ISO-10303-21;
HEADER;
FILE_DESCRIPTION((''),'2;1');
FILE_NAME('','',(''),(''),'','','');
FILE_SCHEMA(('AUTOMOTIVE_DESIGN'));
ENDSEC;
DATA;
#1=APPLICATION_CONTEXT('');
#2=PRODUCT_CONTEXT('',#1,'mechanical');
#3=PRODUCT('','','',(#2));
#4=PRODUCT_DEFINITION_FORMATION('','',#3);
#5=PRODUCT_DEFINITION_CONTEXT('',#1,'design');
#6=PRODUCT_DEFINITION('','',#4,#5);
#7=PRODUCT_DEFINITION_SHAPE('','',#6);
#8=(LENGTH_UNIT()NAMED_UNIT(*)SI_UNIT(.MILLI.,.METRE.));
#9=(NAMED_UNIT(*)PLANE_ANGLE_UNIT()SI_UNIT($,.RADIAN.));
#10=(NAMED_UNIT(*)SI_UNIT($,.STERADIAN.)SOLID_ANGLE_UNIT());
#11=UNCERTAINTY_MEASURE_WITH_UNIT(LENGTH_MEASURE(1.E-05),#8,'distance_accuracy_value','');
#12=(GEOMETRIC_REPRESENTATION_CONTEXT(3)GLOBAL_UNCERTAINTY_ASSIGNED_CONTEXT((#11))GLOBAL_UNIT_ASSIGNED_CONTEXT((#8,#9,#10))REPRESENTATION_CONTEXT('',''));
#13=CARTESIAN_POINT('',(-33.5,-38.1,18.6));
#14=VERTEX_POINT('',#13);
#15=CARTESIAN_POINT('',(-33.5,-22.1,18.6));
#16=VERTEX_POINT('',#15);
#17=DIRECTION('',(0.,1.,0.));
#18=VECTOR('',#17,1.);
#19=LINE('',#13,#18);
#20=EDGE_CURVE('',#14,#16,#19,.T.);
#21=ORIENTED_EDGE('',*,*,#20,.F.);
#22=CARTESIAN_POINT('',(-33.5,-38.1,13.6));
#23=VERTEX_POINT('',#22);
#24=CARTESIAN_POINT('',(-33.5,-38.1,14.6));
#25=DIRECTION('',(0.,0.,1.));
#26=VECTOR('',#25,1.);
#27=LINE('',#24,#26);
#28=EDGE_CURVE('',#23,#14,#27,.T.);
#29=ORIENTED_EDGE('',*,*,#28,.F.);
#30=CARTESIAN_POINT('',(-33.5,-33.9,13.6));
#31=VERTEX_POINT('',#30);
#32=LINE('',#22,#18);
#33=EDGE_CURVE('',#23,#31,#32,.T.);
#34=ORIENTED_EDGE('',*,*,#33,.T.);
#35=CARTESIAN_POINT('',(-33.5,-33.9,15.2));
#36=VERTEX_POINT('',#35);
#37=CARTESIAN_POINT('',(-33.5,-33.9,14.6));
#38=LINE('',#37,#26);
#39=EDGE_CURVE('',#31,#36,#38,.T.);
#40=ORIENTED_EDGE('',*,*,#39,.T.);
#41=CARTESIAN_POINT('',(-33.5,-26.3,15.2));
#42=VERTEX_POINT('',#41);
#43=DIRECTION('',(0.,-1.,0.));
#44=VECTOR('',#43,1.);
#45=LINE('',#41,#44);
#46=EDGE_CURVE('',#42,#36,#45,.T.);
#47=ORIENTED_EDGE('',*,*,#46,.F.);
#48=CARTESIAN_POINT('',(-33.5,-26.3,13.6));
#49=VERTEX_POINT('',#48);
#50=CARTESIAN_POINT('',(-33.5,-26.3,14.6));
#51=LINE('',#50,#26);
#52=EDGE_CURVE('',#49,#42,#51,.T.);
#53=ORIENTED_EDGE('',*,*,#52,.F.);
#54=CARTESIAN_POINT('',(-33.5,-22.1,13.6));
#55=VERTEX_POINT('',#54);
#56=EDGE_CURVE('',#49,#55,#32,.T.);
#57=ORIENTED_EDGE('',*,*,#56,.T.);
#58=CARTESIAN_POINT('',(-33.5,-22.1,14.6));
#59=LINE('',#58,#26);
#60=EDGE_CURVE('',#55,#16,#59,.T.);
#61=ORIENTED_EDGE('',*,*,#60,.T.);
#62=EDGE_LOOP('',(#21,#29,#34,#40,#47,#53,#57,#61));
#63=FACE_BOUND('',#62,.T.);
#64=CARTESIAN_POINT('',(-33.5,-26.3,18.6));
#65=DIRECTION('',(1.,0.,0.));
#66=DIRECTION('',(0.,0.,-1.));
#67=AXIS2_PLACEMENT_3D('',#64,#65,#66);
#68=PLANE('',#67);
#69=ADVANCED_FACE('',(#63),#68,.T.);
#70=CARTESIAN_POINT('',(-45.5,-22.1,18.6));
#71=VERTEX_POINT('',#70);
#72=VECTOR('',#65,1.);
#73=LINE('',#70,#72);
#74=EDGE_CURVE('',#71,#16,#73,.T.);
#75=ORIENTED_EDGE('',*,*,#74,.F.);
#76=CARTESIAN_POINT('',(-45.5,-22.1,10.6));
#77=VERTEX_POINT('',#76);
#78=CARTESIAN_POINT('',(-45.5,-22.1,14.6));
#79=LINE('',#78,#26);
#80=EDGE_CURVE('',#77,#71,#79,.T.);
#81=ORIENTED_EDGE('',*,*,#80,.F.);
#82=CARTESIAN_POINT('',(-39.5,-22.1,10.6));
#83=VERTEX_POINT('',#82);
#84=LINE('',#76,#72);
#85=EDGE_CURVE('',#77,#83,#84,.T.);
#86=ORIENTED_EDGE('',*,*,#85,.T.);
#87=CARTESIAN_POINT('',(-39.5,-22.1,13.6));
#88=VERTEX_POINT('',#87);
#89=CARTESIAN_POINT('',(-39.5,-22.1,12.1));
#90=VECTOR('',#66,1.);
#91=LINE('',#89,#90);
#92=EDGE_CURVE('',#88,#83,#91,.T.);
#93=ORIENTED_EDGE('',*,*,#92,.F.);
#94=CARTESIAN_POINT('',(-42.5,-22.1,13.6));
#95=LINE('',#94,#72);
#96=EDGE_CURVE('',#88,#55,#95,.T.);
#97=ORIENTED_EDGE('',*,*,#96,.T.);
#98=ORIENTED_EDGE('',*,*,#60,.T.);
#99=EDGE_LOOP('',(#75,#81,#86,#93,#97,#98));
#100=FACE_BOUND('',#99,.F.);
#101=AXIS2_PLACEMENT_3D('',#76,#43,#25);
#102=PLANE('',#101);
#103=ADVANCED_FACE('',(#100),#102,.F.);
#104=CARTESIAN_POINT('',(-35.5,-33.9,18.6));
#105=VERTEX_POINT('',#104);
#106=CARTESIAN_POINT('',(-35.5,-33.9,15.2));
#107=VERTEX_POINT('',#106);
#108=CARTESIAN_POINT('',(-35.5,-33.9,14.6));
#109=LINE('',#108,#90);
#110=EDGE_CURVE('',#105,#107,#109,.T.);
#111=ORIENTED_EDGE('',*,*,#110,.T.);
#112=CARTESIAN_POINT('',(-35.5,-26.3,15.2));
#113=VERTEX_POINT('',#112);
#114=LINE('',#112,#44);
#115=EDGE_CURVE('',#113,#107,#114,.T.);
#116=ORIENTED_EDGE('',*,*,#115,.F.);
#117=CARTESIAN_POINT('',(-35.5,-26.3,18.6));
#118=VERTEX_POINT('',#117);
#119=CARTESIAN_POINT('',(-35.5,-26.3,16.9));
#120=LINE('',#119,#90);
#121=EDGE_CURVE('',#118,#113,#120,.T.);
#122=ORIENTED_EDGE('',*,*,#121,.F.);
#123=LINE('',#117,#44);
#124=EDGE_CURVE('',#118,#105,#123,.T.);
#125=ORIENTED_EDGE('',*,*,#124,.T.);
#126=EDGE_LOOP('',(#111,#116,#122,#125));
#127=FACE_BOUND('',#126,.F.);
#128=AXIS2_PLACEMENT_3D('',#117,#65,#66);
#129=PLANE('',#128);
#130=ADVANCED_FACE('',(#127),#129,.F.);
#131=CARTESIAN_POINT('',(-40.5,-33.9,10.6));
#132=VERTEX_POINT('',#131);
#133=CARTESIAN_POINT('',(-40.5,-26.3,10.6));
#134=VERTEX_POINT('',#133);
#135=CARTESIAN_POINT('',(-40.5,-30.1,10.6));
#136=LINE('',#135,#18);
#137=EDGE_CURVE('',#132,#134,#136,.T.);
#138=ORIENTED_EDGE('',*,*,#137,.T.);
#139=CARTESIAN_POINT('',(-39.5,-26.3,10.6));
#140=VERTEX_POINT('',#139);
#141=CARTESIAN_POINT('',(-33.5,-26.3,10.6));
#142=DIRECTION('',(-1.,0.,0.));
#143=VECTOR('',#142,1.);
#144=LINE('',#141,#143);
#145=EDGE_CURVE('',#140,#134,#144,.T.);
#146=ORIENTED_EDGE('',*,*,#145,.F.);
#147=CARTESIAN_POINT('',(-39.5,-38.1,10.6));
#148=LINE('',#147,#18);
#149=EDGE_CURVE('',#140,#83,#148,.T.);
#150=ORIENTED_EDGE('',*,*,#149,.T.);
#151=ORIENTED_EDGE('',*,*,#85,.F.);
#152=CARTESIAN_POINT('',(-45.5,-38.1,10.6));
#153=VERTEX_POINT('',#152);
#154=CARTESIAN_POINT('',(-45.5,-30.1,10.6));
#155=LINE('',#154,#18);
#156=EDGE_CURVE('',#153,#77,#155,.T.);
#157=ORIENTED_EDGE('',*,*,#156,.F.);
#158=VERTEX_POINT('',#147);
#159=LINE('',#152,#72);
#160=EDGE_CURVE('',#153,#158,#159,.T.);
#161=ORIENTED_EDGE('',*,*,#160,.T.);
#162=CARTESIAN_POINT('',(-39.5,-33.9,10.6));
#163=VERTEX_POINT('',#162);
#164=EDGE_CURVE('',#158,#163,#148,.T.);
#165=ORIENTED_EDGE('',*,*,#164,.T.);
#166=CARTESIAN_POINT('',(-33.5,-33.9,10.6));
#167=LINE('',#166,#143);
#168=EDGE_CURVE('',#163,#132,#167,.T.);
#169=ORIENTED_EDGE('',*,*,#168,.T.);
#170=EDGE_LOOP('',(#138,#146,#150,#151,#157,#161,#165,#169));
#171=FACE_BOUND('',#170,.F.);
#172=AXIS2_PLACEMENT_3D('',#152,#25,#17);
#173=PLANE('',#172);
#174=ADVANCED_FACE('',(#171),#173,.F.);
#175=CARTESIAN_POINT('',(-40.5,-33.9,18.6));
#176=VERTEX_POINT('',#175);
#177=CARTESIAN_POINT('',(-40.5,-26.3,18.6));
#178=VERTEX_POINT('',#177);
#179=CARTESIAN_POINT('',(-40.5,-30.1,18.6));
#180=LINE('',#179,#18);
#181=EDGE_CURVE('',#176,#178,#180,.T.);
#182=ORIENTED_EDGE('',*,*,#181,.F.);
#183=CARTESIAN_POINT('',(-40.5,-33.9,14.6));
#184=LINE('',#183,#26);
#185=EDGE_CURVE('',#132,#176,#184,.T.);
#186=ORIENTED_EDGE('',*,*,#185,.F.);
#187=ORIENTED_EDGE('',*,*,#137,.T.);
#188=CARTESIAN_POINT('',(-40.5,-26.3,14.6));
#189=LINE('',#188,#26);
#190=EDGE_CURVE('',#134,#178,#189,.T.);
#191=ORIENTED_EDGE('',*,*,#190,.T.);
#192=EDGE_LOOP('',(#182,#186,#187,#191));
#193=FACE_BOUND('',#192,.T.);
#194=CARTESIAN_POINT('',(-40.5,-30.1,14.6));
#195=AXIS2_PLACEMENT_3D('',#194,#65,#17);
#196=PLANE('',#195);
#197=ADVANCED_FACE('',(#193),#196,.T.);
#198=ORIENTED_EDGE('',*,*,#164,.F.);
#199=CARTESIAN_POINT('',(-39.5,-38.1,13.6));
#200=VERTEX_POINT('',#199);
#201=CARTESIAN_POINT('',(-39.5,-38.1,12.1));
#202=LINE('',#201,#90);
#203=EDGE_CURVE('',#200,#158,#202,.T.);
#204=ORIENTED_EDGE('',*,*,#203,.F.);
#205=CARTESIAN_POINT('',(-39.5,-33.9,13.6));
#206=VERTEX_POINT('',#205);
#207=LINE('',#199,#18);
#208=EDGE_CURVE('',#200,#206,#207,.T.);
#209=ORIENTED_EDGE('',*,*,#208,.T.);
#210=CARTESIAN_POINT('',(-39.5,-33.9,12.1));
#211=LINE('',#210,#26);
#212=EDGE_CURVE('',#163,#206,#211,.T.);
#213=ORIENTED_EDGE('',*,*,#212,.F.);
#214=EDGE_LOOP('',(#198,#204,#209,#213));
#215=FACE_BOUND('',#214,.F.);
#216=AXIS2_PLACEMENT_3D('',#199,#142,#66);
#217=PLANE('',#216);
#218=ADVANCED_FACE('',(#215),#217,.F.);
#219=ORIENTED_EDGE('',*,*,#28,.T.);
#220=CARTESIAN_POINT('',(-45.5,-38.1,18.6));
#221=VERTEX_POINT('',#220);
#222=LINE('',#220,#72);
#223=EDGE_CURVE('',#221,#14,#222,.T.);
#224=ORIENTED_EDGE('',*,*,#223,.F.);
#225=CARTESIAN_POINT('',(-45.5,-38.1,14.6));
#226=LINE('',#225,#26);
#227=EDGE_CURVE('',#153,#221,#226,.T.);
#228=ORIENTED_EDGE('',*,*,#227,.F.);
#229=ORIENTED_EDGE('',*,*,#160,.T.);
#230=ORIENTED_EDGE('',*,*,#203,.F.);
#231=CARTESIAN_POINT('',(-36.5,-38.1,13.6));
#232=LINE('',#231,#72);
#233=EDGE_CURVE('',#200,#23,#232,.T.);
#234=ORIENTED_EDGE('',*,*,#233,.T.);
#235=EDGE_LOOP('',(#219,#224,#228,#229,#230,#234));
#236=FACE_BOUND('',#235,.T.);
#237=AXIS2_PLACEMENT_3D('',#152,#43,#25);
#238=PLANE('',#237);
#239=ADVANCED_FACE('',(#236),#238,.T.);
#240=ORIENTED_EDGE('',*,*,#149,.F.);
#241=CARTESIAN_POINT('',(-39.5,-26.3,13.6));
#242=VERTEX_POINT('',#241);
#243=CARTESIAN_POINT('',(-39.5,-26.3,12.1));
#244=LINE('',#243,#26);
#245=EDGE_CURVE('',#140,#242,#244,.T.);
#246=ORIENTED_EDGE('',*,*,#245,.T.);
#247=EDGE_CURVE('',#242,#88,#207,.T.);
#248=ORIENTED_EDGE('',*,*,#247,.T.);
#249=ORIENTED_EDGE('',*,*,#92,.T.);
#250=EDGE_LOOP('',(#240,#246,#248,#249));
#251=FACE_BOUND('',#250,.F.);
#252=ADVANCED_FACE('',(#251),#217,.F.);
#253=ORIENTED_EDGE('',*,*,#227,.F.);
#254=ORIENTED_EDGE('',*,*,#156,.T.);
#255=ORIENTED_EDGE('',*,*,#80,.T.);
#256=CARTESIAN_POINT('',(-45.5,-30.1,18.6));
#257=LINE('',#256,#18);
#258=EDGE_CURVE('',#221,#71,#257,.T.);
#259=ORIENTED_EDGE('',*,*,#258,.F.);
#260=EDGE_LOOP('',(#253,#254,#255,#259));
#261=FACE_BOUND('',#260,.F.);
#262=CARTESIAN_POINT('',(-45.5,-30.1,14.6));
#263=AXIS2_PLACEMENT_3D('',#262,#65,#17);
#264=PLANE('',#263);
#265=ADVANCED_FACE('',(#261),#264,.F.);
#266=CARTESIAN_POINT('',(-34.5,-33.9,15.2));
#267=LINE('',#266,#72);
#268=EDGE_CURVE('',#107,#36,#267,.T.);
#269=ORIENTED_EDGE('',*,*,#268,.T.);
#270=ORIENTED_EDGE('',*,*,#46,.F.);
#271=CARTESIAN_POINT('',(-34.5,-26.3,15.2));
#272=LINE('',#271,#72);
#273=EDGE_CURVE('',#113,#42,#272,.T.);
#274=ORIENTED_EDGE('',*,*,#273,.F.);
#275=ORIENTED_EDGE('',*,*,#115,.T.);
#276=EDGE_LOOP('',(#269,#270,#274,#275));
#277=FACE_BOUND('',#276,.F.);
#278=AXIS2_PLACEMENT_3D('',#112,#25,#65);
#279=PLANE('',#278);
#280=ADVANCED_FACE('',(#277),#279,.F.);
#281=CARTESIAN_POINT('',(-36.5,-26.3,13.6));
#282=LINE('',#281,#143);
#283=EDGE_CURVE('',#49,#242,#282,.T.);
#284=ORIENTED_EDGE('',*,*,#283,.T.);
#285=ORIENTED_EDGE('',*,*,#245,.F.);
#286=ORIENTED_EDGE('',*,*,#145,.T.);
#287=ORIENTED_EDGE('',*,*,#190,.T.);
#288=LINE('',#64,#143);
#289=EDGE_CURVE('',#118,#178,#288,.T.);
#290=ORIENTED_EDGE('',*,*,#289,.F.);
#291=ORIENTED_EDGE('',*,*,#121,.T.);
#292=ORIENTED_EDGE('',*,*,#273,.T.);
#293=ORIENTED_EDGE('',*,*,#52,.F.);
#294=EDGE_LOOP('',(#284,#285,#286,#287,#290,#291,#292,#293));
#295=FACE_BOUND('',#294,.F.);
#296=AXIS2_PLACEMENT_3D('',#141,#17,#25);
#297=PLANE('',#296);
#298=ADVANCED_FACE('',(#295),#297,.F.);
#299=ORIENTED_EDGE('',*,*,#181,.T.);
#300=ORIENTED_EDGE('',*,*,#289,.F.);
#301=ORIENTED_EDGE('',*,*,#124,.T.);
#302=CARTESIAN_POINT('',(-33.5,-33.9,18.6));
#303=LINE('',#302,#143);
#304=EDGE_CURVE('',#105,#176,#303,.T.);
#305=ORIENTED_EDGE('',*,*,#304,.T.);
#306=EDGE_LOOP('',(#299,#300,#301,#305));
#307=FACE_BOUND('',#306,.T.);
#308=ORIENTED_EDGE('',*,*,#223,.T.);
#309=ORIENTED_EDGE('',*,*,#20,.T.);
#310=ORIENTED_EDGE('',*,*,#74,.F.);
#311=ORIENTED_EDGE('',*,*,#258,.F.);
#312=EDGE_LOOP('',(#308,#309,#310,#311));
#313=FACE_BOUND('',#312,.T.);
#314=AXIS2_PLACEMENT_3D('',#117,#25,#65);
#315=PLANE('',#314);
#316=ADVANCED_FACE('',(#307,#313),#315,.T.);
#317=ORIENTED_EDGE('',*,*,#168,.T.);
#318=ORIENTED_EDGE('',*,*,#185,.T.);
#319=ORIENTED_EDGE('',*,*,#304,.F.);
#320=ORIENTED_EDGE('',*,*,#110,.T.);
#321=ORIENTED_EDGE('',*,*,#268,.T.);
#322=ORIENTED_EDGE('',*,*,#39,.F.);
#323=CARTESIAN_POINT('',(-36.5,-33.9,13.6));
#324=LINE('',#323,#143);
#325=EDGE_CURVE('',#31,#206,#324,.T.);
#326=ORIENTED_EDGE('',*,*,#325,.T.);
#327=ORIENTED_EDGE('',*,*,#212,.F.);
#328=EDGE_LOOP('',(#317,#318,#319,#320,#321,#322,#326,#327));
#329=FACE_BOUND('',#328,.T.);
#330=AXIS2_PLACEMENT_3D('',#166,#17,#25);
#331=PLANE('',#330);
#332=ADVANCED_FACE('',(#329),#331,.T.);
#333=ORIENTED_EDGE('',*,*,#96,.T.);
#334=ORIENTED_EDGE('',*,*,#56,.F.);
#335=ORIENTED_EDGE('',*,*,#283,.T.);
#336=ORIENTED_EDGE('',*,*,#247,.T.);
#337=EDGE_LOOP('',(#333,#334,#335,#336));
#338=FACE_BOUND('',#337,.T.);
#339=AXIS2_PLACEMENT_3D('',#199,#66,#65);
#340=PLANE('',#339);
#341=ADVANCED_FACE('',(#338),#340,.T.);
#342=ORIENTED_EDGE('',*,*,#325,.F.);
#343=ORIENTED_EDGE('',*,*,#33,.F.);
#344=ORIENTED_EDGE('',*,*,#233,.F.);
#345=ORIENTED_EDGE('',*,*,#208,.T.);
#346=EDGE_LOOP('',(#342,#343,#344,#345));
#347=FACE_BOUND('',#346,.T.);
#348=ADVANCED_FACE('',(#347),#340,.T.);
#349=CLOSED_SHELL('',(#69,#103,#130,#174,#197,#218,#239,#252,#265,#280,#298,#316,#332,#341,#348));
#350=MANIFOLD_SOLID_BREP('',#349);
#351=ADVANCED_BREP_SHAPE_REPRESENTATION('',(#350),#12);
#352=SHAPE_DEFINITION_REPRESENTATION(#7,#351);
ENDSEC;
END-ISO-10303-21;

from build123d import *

# Parameters (mm, degrees)
SKETCH048_W     = 16
SKETCH048_H     = 8
PAD027_DEPTH    = 12
SKETCH049_W     = 7.6
SKETCH049_H     = 8
POCKET017_DEPTH = 7
SKETCH050_W     = 3
SKETCH050_H     = 6
POCKET018_DEPTH = 16.001
SKETCH060_W     = 3.4
SKETCH060_H     = 2
PAD032_DEPTH    = 9


with BuildPart() as part:
    # Sketch048 → Pad027 (new body)
    with BuildSketch(Plane.YZ):
        with Locations((0, 4)):
            Rectangle(SKETCH048_W, SKETCH048_H)
    extrude(amount=PAD027_DEPTH)

    # Sketch049 (on Face6 of Pad027) → Pocket017 (cut)
    with BuildSketch(Plane.YZ.offset(12)):
        with Locations((0, 4)):
            Rectangle(SKETCH049_W, SKETCH049_H)
    extrude(amount=-POCKET017_DEPTH, mode=Mode.SUBTRACT)

    # Sketch050 (on Face9 of Pocket017) → Pocket018 (cut, through all)
    with BuildSketch(Plane(origin=(0, -8, 0), x_dir=(0, 0, -1), z_dir=(0, -1, 0))):
        with Locations((-1.5, 9)):
            Rectangle(SKETCH050_W, SKETCH050_H)
    extrude(amount=-POCKET018_DEPTH, mode=Mode.SUBTRACT)

    # Sketch060 (on Face5 of Pocket018) → Pad032 (join)
    with BuildSketch(Plane(origin=(0, 3.8, 0), x_dir=(0, 0, -1), z_dir=(0, -1, 0))):
        with Locations((-6.3, 11)):
            Rectangle(SKETCH060_W, SKETCH060_H)
    extrude(amount=PAD032_DEPTH)


with BuildPart() as part_1:
    # Body005 placement: moved
    add(part.part.moved(Location((-45.5, -30.1, 10.6))))


solid = part_1.part
